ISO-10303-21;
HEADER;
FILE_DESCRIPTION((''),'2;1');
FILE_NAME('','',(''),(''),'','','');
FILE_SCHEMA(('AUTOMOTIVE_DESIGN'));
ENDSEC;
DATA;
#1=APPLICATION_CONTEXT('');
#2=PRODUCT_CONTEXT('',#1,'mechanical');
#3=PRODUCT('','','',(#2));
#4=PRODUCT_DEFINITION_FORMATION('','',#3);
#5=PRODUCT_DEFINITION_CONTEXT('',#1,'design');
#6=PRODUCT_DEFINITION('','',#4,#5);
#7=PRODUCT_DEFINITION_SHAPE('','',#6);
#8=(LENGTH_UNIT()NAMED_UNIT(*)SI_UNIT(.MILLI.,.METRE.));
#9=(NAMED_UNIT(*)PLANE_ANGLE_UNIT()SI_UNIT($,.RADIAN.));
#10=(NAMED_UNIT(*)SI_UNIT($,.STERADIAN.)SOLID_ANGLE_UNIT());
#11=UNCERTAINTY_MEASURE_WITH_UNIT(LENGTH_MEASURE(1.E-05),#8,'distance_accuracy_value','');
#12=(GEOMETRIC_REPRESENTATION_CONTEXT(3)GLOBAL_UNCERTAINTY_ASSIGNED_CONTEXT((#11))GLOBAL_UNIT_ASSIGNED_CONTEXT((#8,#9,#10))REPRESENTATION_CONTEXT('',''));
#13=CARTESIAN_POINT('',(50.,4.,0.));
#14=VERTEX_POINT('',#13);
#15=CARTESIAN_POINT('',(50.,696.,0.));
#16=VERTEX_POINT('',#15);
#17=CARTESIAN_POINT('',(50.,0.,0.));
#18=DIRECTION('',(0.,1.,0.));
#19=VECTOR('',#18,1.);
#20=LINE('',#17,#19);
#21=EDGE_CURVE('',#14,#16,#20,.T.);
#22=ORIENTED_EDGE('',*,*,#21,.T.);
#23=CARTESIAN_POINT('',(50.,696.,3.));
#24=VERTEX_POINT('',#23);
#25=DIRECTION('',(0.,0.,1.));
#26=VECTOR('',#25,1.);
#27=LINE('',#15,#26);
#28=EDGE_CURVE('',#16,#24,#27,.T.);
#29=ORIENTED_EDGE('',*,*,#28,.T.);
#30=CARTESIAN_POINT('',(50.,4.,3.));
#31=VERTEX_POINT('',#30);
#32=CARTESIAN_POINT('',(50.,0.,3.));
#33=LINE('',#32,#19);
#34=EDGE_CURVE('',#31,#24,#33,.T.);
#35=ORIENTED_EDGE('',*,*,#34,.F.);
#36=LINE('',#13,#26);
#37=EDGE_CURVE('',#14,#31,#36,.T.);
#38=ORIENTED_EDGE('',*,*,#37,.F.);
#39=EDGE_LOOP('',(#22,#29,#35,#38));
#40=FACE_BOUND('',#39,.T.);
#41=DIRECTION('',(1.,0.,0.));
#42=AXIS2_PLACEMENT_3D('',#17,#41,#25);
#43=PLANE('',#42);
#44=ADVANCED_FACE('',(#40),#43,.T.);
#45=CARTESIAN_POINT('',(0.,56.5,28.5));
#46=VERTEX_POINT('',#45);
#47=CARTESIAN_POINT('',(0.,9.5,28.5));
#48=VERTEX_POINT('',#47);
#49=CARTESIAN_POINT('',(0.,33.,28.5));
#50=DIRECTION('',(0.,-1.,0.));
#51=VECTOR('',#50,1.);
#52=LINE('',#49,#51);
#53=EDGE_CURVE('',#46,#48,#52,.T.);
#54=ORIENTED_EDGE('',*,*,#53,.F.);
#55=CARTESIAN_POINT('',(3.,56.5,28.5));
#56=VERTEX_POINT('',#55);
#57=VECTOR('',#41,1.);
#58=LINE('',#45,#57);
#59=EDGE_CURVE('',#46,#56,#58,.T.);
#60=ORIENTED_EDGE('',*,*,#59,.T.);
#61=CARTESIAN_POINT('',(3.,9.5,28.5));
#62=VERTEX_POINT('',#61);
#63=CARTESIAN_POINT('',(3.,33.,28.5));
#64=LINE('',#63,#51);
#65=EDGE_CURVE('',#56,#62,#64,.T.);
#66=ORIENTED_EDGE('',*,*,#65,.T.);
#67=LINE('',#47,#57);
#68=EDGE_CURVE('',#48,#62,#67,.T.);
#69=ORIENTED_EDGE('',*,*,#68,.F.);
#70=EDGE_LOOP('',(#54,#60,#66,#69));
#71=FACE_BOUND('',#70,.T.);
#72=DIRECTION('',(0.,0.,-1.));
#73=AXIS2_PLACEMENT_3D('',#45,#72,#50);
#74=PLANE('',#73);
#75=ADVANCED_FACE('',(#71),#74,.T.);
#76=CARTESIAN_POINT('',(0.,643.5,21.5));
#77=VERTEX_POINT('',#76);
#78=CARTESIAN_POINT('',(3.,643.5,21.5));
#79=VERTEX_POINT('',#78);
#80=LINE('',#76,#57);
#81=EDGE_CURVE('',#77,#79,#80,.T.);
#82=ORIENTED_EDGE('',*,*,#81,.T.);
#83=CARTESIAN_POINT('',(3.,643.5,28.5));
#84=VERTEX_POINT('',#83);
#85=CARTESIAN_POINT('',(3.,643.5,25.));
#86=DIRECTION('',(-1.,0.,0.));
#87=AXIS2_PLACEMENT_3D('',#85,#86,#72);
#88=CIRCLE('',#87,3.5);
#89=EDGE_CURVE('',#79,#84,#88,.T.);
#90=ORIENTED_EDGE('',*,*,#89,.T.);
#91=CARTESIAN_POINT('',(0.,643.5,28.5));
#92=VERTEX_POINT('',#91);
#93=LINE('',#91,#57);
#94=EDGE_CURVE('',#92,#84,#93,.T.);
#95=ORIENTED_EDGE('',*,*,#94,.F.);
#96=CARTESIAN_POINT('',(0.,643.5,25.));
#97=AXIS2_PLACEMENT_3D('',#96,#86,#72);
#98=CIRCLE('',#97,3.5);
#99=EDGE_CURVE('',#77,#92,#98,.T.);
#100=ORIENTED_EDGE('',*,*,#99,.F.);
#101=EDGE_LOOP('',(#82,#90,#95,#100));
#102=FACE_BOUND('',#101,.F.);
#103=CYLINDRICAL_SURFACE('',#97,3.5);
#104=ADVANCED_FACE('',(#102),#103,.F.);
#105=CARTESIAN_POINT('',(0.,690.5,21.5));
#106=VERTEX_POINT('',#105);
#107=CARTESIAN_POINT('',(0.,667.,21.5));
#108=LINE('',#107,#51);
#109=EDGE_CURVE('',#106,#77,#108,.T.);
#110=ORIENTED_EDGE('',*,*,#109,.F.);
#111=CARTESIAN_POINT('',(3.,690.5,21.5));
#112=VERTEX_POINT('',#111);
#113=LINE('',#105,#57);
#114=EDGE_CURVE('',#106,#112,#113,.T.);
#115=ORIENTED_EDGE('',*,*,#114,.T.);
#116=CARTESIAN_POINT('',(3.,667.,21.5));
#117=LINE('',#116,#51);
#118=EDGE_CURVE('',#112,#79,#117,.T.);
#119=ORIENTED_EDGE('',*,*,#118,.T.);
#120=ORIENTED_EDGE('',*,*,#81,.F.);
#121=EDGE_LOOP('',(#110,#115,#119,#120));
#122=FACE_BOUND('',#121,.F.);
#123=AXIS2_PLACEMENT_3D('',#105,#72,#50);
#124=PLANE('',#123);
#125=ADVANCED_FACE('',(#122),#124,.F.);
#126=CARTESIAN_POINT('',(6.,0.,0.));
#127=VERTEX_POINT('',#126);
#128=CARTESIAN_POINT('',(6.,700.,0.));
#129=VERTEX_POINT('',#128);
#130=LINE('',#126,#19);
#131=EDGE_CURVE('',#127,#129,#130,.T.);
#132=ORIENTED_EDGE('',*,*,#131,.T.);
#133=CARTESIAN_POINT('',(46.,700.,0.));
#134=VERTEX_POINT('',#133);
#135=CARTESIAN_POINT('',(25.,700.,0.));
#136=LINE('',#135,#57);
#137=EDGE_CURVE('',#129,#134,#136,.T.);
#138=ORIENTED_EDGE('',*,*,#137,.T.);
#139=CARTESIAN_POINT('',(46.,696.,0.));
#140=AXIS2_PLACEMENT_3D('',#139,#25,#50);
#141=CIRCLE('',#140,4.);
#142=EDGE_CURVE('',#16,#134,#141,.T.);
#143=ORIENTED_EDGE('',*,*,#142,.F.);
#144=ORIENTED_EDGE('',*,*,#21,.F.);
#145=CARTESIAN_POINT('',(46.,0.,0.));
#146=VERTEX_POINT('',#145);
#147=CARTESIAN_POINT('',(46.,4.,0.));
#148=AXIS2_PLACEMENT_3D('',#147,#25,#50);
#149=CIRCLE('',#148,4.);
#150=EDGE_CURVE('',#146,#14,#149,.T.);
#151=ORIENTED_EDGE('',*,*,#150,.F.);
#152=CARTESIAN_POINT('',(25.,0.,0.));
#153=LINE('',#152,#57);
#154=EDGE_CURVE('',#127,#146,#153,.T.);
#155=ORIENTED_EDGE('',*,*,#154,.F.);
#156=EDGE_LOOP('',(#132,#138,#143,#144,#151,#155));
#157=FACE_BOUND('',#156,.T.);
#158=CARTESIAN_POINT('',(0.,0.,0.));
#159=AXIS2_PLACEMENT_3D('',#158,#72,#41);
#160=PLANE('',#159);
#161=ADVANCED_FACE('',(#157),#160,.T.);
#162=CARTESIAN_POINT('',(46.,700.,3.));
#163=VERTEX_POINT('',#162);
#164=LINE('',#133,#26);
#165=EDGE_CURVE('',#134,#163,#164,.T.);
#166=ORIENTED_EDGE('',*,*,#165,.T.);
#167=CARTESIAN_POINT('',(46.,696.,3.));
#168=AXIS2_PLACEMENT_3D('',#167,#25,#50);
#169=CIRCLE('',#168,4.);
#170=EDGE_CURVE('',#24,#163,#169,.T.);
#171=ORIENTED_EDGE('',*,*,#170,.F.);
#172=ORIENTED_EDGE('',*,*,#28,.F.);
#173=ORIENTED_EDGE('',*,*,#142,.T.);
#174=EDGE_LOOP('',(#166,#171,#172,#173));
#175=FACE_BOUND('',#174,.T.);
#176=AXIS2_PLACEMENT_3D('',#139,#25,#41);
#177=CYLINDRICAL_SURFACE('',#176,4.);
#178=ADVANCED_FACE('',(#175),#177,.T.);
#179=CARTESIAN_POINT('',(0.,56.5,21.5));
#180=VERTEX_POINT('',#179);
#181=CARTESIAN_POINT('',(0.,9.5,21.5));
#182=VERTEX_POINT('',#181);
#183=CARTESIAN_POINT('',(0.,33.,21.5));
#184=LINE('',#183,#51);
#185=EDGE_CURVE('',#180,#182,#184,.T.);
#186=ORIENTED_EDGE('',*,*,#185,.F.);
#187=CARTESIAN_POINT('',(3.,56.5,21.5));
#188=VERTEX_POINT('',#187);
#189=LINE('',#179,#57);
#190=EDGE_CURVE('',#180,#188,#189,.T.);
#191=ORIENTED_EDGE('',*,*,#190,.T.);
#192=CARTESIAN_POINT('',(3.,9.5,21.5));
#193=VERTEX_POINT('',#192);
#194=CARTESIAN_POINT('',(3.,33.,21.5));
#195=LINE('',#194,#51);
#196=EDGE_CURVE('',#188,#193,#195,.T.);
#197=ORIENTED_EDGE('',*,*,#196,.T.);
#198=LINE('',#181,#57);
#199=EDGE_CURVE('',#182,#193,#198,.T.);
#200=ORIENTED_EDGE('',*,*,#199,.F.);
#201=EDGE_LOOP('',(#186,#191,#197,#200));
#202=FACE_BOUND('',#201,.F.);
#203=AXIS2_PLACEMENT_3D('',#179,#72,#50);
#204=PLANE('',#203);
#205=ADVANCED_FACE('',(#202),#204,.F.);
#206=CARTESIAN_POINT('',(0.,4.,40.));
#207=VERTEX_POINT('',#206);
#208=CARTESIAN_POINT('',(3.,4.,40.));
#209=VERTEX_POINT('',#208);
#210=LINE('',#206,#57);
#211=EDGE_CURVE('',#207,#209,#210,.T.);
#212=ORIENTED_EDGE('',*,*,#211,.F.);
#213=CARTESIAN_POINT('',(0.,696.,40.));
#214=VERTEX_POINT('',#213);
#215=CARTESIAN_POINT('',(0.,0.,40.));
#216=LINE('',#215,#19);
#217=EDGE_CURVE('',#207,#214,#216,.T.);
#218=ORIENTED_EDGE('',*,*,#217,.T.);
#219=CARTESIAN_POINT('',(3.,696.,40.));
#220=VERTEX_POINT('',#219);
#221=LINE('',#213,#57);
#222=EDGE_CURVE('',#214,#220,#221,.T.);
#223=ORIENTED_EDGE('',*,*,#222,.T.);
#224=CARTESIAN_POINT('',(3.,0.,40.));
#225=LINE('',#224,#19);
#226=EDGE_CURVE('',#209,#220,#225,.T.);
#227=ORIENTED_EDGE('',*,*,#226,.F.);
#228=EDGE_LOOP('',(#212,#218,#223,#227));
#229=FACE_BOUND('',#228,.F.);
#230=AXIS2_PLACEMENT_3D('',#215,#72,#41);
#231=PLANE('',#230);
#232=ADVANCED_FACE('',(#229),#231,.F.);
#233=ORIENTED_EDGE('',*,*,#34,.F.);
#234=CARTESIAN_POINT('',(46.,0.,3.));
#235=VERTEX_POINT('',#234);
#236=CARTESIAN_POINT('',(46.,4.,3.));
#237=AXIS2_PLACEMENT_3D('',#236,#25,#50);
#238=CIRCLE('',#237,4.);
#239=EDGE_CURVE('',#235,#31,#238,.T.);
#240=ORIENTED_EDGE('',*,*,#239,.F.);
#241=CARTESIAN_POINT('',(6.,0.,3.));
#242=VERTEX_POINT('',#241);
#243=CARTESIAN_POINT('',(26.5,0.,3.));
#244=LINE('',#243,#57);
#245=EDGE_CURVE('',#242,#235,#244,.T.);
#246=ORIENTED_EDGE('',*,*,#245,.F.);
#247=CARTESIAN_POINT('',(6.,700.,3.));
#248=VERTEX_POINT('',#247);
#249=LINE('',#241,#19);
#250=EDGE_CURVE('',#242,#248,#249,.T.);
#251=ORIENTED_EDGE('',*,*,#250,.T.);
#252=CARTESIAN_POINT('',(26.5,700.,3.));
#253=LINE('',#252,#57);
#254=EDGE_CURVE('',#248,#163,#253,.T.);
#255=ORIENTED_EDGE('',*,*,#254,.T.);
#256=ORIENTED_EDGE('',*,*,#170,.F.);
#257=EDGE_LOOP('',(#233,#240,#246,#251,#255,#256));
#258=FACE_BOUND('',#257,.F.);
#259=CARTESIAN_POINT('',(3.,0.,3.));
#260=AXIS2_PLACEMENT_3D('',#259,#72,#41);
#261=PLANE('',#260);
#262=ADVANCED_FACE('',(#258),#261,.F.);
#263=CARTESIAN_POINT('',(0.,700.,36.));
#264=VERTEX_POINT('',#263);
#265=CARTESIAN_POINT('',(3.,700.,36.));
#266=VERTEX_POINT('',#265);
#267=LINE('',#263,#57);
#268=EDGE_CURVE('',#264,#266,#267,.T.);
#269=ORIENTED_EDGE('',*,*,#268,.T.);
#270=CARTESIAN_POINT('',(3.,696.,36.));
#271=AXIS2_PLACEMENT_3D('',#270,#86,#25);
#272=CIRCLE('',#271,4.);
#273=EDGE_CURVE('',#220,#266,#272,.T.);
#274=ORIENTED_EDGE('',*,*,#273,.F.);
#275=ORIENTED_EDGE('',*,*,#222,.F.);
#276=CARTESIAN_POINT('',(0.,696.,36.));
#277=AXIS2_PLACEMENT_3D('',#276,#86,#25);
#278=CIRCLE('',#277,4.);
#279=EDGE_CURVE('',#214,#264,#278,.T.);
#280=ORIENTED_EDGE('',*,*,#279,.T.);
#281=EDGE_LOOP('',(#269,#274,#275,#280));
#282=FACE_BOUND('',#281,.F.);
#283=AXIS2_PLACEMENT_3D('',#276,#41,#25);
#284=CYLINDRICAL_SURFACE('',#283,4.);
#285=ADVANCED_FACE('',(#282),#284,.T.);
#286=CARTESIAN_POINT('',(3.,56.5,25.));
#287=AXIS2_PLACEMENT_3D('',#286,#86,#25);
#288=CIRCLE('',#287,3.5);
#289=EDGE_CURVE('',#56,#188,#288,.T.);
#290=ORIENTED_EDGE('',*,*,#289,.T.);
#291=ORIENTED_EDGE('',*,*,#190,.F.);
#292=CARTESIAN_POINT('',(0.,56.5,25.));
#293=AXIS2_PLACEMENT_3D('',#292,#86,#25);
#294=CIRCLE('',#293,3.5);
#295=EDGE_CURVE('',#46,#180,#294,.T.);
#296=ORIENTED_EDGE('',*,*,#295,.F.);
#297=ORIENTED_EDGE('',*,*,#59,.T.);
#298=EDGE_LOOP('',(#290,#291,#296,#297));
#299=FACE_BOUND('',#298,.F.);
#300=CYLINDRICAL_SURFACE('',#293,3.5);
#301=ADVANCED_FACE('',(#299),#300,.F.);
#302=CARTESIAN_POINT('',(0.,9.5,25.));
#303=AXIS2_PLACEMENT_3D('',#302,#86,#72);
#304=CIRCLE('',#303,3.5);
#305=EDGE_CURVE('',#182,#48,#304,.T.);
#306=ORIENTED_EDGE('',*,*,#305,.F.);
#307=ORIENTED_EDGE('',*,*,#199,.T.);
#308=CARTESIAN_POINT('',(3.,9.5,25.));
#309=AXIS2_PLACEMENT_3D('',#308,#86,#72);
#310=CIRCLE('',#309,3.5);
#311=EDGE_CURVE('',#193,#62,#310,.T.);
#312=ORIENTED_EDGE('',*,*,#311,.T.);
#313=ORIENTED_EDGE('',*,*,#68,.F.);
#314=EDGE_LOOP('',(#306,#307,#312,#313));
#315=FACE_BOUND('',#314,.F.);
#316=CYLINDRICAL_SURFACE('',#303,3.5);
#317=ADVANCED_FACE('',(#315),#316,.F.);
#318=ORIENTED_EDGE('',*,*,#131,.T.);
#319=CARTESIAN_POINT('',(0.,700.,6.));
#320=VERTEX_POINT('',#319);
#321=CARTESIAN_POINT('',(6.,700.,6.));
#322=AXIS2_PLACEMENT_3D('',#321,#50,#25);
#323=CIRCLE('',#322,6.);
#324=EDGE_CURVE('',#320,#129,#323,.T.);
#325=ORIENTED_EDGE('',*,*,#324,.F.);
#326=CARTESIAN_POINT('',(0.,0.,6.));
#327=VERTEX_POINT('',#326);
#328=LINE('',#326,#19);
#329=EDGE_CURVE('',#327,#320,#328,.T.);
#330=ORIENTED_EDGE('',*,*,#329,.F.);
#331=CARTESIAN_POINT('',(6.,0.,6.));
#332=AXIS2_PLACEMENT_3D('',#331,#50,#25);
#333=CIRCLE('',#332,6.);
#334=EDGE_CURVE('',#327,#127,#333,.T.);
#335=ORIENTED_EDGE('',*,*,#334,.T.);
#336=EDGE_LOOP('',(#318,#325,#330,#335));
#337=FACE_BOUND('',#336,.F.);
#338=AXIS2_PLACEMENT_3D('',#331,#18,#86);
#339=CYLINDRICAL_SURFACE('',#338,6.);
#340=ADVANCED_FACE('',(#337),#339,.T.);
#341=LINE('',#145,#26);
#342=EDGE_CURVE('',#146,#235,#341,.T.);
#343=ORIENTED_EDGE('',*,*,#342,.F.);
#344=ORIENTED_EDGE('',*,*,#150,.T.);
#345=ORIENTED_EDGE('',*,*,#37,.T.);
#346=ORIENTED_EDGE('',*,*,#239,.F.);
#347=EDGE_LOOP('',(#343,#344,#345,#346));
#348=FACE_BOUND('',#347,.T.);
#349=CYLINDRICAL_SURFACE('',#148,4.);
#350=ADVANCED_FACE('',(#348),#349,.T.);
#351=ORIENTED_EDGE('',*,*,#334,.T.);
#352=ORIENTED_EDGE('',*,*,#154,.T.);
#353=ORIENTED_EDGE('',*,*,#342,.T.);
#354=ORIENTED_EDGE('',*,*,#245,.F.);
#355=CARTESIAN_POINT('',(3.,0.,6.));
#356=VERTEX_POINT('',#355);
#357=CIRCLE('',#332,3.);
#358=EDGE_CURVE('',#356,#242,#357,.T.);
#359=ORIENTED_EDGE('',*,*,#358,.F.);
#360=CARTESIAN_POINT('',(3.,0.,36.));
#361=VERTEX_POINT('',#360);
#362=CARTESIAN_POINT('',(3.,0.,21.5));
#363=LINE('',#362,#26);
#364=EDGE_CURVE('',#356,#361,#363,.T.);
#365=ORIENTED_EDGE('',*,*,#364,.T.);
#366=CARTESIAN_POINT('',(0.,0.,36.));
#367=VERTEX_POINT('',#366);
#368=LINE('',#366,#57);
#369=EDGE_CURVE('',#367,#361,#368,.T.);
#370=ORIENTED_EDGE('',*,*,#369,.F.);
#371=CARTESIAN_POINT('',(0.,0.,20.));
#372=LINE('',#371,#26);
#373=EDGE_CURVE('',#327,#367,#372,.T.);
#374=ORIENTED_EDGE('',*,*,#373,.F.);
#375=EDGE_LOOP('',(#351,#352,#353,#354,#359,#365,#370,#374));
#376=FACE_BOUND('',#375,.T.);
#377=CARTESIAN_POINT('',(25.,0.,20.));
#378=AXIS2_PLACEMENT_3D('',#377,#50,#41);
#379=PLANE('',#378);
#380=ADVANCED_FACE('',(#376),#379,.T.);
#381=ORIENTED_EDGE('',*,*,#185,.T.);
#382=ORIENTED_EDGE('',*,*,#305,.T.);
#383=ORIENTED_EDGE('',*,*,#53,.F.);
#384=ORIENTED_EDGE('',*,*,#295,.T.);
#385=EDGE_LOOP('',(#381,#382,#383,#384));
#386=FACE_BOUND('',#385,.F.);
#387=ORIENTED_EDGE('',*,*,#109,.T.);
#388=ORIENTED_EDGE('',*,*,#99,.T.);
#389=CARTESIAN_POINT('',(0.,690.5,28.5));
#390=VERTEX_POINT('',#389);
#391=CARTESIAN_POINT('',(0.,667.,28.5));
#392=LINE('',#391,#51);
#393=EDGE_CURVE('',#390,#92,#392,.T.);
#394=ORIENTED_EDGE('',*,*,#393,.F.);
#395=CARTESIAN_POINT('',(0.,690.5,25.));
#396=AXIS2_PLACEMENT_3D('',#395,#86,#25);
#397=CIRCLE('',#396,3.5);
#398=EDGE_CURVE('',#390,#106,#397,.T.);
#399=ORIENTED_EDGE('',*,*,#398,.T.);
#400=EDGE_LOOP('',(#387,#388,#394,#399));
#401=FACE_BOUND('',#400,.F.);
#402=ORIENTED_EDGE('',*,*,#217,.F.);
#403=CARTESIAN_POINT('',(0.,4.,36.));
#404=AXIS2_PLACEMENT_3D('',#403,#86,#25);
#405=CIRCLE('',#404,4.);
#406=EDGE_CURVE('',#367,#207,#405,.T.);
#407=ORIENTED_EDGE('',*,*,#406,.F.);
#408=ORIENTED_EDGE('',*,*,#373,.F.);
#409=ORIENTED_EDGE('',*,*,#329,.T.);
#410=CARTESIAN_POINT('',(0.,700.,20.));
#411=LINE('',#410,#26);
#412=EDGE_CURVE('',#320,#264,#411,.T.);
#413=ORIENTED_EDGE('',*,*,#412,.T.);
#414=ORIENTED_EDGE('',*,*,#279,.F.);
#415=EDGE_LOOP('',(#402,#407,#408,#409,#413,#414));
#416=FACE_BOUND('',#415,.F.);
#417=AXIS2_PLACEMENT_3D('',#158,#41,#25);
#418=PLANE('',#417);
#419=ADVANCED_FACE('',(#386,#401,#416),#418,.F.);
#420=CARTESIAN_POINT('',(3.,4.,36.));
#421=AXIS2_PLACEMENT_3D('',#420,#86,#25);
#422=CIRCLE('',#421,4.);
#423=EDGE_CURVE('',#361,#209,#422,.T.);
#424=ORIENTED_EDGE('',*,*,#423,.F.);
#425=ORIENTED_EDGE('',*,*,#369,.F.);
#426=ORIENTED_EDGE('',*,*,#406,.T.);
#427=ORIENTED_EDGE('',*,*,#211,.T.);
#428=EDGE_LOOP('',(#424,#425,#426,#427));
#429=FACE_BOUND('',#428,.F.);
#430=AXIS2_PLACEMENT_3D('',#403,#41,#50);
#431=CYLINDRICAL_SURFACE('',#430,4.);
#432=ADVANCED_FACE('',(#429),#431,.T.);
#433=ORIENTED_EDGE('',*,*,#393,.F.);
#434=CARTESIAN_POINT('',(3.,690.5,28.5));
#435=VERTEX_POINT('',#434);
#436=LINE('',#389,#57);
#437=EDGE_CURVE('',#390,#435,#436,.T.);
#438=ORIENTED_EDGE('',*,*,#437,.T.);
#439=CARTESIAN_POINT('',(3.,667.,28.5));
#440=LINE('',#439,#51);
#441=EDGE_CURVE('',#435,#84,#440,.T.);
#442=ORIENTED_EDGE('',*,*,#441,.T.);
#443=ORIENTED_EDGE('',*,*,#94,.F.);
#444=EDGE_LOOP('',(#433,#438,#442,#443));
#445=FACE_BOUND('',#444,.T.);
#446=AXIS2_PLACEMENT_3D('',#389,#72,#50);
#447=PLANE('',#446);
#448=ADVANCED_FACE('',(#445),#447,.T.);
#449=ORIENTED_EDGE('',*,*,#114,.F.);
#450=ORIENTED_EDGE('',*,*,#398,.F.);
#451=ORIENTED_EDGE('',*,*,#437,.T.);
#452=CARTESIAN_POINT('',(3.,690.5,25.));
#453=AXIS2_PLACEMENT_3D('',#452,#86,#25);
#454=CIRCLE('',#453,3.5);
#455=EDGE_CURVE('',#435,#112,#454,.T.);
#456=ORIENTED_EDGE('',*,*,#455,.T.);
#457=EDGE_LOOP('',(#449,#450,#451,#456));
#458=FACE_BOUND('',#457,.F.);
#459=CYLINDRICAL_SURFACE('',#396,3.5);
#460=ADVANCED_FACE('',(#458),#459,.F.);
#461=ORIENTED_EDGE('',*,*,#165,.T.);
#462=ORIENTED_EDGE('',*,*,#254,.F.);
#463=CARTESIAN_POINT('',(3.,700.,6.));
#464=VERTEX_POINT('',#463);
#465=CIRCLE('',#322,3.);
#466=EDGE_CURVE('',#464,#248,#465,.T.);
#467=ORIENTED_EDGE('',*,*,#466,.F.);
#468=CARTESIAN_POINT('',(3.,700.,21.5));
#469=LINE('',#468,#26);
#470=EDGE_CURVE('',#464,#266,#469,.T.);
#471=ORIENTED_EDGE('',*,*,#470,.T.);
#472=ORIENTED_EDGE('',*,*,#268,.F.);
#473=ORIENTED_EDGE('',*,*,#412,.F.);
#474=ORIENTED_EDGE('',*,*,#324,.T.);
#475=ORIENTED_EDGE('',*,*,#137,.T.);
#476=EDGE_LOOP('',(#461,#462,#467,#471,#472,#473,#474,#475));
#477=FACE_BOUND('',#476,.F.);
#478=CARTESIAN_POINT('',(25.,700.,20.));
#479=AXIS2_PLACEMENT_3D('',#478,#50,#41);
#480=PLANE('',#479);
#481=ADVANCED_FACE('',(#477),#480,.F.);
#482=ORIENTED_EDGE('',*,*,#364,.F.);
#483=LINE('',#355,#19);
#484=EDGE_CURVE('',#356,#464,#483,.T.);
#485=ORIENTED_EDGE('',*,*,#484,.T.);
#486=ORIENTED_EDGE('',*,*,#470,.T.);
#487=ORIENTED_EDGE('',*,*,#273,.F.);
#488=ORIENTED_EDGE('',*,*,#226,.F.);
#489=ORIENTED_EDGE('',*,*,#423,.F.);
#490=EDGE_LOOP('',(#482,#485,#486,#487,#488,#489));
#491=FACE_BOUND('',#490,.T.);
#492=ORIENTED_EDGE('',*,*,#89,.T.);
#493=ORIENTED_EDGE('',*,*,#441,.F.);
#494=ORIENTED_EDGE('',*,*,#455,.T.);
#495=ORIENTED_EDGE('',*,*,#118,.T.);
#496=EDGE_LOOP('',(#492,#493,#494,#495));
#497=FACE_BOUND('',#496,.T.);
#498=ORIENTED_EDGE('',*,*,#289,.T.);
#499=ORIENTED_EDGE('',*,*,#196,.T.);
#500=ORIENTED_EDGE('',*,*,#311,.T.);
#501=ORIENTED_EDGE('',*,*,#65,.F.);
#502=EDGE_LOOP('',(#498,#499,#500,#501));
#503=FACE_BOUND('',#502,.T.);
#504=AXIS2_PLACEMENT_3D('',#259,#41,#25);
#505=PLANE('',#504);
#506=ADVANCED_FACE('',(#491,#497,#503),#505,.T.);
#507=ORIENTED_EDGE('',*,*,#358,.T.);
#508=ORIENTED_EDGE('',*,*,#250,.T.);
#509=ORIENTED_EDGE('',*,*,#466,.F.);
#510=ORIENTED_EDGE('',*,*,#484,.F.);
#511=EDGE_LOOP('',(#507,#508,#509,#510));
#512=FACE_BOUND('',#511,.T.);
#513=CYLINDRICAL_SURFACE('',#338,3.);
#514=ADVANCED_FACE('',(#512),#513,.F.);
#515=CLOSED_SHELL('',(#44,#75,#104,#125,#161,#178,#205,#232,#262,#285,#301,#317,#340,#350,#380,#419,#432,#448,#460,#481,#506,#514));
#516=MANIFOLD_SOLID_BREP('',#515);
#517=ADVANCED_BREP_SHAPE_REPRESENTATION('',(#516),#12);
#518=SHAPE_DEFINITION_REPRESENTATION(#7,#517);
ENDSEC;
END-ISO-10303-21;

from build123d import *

# Parameters (mm, degrees)
F0_W      = 50
F0_H      = 40
F2_DEPTH  = 700
F1_W      = 47
F1_H      = 37
F3_DEPTH  = 700
F4_R      = 6
F5_R      = 3
F6_R      = 4
F7_R      = 4
F8_R      = 4
F9_R      = 4
F10_W     = 47
F10_H     = 7
F11_DEPTH = 3
F12_W     = 47
F12_H     = 7
F13_DEPTH = 3


with BuildPart() as f2:
    # F0 (on Front) → F2 (new body)
    with BuildSketch(Plane.XZ):
        with Locations((25, 20)):
            Rectangle(F0_W, F0_H)
    extrude(amount=-F2_DEPTH)

    # F1 (on face) → F3 (cut)
    with BuildSketch(Plane.XZ):
        with Locations((26.5, 21.5)):
            Rectangle(F1_W, F1_H)
    extrude(amount=-F3_DEPTH, mode=Mode.SUBTRACT)

    # F4
    f4_edges = [f2.edges().sort_by_distance(p)[0] for p in [
        (0, 350, 0),
    ]]
    fillet(f4_edges, radius=F4_R)

    # F5
    f5_edges = [f2.edges().sort_by_distance(p)[0] for p in [
        (3, 350, 3),
    ]]
    fillet(f5_edges, radius=F5_R)

    # F6
    f6_edges = [f2.edges().sort_by_distance(p)[0] for p in [
        (1.5, 0, 40),
    ]]
    fillet(f6_edges, radius=F6_R)

    # F7
    f7_edges = [f2.edges().sort_by_distance(p)[0] for p in [
        (1.5, 700, 40),
    ]]
    fillet(f7_edges, radius=F7_R)

    # F8
    f8_edges = [f2.edges().sort_by_distance(p)[0] for p in [
        (50, 0, 1.5),
    ]]
    fillet(f8_edges, radius=F8_R)

    # F9
    f9_edges = [f2.edges().sort_by_distance(p)[0] for p in [
        (50, 700, 1.5),
    ]]
    fillet(f9_edges, radius=F9_R)

    # F10 (on face) → F11 (cut)
    with BuildSketch(Plane(origin=(0, 0, 0), x_dir=(0, -1, 0), z_dir=(-1, 0, 0))):
        with Locations((-667, 25)):
            Rectangle(F10_W, F10_H)
        with BuildLine():
            Line((-690.5, 21.5), (-690.5, 28.5))
            ThreePointArc((-690.5, 28.5), (-694, 25), (-690.5, 21.5))
        make_face()
        with BuildLine():
            ThreePointArc((-643.5, 21.5), (-640, 25), (-643.5, 28.5))
            Line((-643.5, 28.5), (-643.5, 21.5))
        make_face()
    extrude(amount=-F11_DEPTH, mode=Mode.SUBTRACT)

    # F12 (on face) → F13 (cut)
    with BuildSketch(Plane(origin=(0, 0, 0), x_dir=(0, -1, 0), z_dir=(-1, 0, 0))):
        with Locations((-33, 25)):
            Rectangle(F12_W, F12_H)
        with BuildLine():
            Line((-56.5, 21.5), (-56.5, 28.5))
            ThreePointArc((-56.5, 28.5), (-60, 25), (-56.5, 21.5))
        make_face()
        with BuildLine():
            ThreePointArc((-9.5, 21.5), (-6, 25), (-9.5, 28.5))
            Line((-9.5, 28.5), (-9.5, 21.5))
        make_face()
    extrude(amount=-F13_DEPTH, mode=Mode.SUBTRACT)


solid = f2.part
